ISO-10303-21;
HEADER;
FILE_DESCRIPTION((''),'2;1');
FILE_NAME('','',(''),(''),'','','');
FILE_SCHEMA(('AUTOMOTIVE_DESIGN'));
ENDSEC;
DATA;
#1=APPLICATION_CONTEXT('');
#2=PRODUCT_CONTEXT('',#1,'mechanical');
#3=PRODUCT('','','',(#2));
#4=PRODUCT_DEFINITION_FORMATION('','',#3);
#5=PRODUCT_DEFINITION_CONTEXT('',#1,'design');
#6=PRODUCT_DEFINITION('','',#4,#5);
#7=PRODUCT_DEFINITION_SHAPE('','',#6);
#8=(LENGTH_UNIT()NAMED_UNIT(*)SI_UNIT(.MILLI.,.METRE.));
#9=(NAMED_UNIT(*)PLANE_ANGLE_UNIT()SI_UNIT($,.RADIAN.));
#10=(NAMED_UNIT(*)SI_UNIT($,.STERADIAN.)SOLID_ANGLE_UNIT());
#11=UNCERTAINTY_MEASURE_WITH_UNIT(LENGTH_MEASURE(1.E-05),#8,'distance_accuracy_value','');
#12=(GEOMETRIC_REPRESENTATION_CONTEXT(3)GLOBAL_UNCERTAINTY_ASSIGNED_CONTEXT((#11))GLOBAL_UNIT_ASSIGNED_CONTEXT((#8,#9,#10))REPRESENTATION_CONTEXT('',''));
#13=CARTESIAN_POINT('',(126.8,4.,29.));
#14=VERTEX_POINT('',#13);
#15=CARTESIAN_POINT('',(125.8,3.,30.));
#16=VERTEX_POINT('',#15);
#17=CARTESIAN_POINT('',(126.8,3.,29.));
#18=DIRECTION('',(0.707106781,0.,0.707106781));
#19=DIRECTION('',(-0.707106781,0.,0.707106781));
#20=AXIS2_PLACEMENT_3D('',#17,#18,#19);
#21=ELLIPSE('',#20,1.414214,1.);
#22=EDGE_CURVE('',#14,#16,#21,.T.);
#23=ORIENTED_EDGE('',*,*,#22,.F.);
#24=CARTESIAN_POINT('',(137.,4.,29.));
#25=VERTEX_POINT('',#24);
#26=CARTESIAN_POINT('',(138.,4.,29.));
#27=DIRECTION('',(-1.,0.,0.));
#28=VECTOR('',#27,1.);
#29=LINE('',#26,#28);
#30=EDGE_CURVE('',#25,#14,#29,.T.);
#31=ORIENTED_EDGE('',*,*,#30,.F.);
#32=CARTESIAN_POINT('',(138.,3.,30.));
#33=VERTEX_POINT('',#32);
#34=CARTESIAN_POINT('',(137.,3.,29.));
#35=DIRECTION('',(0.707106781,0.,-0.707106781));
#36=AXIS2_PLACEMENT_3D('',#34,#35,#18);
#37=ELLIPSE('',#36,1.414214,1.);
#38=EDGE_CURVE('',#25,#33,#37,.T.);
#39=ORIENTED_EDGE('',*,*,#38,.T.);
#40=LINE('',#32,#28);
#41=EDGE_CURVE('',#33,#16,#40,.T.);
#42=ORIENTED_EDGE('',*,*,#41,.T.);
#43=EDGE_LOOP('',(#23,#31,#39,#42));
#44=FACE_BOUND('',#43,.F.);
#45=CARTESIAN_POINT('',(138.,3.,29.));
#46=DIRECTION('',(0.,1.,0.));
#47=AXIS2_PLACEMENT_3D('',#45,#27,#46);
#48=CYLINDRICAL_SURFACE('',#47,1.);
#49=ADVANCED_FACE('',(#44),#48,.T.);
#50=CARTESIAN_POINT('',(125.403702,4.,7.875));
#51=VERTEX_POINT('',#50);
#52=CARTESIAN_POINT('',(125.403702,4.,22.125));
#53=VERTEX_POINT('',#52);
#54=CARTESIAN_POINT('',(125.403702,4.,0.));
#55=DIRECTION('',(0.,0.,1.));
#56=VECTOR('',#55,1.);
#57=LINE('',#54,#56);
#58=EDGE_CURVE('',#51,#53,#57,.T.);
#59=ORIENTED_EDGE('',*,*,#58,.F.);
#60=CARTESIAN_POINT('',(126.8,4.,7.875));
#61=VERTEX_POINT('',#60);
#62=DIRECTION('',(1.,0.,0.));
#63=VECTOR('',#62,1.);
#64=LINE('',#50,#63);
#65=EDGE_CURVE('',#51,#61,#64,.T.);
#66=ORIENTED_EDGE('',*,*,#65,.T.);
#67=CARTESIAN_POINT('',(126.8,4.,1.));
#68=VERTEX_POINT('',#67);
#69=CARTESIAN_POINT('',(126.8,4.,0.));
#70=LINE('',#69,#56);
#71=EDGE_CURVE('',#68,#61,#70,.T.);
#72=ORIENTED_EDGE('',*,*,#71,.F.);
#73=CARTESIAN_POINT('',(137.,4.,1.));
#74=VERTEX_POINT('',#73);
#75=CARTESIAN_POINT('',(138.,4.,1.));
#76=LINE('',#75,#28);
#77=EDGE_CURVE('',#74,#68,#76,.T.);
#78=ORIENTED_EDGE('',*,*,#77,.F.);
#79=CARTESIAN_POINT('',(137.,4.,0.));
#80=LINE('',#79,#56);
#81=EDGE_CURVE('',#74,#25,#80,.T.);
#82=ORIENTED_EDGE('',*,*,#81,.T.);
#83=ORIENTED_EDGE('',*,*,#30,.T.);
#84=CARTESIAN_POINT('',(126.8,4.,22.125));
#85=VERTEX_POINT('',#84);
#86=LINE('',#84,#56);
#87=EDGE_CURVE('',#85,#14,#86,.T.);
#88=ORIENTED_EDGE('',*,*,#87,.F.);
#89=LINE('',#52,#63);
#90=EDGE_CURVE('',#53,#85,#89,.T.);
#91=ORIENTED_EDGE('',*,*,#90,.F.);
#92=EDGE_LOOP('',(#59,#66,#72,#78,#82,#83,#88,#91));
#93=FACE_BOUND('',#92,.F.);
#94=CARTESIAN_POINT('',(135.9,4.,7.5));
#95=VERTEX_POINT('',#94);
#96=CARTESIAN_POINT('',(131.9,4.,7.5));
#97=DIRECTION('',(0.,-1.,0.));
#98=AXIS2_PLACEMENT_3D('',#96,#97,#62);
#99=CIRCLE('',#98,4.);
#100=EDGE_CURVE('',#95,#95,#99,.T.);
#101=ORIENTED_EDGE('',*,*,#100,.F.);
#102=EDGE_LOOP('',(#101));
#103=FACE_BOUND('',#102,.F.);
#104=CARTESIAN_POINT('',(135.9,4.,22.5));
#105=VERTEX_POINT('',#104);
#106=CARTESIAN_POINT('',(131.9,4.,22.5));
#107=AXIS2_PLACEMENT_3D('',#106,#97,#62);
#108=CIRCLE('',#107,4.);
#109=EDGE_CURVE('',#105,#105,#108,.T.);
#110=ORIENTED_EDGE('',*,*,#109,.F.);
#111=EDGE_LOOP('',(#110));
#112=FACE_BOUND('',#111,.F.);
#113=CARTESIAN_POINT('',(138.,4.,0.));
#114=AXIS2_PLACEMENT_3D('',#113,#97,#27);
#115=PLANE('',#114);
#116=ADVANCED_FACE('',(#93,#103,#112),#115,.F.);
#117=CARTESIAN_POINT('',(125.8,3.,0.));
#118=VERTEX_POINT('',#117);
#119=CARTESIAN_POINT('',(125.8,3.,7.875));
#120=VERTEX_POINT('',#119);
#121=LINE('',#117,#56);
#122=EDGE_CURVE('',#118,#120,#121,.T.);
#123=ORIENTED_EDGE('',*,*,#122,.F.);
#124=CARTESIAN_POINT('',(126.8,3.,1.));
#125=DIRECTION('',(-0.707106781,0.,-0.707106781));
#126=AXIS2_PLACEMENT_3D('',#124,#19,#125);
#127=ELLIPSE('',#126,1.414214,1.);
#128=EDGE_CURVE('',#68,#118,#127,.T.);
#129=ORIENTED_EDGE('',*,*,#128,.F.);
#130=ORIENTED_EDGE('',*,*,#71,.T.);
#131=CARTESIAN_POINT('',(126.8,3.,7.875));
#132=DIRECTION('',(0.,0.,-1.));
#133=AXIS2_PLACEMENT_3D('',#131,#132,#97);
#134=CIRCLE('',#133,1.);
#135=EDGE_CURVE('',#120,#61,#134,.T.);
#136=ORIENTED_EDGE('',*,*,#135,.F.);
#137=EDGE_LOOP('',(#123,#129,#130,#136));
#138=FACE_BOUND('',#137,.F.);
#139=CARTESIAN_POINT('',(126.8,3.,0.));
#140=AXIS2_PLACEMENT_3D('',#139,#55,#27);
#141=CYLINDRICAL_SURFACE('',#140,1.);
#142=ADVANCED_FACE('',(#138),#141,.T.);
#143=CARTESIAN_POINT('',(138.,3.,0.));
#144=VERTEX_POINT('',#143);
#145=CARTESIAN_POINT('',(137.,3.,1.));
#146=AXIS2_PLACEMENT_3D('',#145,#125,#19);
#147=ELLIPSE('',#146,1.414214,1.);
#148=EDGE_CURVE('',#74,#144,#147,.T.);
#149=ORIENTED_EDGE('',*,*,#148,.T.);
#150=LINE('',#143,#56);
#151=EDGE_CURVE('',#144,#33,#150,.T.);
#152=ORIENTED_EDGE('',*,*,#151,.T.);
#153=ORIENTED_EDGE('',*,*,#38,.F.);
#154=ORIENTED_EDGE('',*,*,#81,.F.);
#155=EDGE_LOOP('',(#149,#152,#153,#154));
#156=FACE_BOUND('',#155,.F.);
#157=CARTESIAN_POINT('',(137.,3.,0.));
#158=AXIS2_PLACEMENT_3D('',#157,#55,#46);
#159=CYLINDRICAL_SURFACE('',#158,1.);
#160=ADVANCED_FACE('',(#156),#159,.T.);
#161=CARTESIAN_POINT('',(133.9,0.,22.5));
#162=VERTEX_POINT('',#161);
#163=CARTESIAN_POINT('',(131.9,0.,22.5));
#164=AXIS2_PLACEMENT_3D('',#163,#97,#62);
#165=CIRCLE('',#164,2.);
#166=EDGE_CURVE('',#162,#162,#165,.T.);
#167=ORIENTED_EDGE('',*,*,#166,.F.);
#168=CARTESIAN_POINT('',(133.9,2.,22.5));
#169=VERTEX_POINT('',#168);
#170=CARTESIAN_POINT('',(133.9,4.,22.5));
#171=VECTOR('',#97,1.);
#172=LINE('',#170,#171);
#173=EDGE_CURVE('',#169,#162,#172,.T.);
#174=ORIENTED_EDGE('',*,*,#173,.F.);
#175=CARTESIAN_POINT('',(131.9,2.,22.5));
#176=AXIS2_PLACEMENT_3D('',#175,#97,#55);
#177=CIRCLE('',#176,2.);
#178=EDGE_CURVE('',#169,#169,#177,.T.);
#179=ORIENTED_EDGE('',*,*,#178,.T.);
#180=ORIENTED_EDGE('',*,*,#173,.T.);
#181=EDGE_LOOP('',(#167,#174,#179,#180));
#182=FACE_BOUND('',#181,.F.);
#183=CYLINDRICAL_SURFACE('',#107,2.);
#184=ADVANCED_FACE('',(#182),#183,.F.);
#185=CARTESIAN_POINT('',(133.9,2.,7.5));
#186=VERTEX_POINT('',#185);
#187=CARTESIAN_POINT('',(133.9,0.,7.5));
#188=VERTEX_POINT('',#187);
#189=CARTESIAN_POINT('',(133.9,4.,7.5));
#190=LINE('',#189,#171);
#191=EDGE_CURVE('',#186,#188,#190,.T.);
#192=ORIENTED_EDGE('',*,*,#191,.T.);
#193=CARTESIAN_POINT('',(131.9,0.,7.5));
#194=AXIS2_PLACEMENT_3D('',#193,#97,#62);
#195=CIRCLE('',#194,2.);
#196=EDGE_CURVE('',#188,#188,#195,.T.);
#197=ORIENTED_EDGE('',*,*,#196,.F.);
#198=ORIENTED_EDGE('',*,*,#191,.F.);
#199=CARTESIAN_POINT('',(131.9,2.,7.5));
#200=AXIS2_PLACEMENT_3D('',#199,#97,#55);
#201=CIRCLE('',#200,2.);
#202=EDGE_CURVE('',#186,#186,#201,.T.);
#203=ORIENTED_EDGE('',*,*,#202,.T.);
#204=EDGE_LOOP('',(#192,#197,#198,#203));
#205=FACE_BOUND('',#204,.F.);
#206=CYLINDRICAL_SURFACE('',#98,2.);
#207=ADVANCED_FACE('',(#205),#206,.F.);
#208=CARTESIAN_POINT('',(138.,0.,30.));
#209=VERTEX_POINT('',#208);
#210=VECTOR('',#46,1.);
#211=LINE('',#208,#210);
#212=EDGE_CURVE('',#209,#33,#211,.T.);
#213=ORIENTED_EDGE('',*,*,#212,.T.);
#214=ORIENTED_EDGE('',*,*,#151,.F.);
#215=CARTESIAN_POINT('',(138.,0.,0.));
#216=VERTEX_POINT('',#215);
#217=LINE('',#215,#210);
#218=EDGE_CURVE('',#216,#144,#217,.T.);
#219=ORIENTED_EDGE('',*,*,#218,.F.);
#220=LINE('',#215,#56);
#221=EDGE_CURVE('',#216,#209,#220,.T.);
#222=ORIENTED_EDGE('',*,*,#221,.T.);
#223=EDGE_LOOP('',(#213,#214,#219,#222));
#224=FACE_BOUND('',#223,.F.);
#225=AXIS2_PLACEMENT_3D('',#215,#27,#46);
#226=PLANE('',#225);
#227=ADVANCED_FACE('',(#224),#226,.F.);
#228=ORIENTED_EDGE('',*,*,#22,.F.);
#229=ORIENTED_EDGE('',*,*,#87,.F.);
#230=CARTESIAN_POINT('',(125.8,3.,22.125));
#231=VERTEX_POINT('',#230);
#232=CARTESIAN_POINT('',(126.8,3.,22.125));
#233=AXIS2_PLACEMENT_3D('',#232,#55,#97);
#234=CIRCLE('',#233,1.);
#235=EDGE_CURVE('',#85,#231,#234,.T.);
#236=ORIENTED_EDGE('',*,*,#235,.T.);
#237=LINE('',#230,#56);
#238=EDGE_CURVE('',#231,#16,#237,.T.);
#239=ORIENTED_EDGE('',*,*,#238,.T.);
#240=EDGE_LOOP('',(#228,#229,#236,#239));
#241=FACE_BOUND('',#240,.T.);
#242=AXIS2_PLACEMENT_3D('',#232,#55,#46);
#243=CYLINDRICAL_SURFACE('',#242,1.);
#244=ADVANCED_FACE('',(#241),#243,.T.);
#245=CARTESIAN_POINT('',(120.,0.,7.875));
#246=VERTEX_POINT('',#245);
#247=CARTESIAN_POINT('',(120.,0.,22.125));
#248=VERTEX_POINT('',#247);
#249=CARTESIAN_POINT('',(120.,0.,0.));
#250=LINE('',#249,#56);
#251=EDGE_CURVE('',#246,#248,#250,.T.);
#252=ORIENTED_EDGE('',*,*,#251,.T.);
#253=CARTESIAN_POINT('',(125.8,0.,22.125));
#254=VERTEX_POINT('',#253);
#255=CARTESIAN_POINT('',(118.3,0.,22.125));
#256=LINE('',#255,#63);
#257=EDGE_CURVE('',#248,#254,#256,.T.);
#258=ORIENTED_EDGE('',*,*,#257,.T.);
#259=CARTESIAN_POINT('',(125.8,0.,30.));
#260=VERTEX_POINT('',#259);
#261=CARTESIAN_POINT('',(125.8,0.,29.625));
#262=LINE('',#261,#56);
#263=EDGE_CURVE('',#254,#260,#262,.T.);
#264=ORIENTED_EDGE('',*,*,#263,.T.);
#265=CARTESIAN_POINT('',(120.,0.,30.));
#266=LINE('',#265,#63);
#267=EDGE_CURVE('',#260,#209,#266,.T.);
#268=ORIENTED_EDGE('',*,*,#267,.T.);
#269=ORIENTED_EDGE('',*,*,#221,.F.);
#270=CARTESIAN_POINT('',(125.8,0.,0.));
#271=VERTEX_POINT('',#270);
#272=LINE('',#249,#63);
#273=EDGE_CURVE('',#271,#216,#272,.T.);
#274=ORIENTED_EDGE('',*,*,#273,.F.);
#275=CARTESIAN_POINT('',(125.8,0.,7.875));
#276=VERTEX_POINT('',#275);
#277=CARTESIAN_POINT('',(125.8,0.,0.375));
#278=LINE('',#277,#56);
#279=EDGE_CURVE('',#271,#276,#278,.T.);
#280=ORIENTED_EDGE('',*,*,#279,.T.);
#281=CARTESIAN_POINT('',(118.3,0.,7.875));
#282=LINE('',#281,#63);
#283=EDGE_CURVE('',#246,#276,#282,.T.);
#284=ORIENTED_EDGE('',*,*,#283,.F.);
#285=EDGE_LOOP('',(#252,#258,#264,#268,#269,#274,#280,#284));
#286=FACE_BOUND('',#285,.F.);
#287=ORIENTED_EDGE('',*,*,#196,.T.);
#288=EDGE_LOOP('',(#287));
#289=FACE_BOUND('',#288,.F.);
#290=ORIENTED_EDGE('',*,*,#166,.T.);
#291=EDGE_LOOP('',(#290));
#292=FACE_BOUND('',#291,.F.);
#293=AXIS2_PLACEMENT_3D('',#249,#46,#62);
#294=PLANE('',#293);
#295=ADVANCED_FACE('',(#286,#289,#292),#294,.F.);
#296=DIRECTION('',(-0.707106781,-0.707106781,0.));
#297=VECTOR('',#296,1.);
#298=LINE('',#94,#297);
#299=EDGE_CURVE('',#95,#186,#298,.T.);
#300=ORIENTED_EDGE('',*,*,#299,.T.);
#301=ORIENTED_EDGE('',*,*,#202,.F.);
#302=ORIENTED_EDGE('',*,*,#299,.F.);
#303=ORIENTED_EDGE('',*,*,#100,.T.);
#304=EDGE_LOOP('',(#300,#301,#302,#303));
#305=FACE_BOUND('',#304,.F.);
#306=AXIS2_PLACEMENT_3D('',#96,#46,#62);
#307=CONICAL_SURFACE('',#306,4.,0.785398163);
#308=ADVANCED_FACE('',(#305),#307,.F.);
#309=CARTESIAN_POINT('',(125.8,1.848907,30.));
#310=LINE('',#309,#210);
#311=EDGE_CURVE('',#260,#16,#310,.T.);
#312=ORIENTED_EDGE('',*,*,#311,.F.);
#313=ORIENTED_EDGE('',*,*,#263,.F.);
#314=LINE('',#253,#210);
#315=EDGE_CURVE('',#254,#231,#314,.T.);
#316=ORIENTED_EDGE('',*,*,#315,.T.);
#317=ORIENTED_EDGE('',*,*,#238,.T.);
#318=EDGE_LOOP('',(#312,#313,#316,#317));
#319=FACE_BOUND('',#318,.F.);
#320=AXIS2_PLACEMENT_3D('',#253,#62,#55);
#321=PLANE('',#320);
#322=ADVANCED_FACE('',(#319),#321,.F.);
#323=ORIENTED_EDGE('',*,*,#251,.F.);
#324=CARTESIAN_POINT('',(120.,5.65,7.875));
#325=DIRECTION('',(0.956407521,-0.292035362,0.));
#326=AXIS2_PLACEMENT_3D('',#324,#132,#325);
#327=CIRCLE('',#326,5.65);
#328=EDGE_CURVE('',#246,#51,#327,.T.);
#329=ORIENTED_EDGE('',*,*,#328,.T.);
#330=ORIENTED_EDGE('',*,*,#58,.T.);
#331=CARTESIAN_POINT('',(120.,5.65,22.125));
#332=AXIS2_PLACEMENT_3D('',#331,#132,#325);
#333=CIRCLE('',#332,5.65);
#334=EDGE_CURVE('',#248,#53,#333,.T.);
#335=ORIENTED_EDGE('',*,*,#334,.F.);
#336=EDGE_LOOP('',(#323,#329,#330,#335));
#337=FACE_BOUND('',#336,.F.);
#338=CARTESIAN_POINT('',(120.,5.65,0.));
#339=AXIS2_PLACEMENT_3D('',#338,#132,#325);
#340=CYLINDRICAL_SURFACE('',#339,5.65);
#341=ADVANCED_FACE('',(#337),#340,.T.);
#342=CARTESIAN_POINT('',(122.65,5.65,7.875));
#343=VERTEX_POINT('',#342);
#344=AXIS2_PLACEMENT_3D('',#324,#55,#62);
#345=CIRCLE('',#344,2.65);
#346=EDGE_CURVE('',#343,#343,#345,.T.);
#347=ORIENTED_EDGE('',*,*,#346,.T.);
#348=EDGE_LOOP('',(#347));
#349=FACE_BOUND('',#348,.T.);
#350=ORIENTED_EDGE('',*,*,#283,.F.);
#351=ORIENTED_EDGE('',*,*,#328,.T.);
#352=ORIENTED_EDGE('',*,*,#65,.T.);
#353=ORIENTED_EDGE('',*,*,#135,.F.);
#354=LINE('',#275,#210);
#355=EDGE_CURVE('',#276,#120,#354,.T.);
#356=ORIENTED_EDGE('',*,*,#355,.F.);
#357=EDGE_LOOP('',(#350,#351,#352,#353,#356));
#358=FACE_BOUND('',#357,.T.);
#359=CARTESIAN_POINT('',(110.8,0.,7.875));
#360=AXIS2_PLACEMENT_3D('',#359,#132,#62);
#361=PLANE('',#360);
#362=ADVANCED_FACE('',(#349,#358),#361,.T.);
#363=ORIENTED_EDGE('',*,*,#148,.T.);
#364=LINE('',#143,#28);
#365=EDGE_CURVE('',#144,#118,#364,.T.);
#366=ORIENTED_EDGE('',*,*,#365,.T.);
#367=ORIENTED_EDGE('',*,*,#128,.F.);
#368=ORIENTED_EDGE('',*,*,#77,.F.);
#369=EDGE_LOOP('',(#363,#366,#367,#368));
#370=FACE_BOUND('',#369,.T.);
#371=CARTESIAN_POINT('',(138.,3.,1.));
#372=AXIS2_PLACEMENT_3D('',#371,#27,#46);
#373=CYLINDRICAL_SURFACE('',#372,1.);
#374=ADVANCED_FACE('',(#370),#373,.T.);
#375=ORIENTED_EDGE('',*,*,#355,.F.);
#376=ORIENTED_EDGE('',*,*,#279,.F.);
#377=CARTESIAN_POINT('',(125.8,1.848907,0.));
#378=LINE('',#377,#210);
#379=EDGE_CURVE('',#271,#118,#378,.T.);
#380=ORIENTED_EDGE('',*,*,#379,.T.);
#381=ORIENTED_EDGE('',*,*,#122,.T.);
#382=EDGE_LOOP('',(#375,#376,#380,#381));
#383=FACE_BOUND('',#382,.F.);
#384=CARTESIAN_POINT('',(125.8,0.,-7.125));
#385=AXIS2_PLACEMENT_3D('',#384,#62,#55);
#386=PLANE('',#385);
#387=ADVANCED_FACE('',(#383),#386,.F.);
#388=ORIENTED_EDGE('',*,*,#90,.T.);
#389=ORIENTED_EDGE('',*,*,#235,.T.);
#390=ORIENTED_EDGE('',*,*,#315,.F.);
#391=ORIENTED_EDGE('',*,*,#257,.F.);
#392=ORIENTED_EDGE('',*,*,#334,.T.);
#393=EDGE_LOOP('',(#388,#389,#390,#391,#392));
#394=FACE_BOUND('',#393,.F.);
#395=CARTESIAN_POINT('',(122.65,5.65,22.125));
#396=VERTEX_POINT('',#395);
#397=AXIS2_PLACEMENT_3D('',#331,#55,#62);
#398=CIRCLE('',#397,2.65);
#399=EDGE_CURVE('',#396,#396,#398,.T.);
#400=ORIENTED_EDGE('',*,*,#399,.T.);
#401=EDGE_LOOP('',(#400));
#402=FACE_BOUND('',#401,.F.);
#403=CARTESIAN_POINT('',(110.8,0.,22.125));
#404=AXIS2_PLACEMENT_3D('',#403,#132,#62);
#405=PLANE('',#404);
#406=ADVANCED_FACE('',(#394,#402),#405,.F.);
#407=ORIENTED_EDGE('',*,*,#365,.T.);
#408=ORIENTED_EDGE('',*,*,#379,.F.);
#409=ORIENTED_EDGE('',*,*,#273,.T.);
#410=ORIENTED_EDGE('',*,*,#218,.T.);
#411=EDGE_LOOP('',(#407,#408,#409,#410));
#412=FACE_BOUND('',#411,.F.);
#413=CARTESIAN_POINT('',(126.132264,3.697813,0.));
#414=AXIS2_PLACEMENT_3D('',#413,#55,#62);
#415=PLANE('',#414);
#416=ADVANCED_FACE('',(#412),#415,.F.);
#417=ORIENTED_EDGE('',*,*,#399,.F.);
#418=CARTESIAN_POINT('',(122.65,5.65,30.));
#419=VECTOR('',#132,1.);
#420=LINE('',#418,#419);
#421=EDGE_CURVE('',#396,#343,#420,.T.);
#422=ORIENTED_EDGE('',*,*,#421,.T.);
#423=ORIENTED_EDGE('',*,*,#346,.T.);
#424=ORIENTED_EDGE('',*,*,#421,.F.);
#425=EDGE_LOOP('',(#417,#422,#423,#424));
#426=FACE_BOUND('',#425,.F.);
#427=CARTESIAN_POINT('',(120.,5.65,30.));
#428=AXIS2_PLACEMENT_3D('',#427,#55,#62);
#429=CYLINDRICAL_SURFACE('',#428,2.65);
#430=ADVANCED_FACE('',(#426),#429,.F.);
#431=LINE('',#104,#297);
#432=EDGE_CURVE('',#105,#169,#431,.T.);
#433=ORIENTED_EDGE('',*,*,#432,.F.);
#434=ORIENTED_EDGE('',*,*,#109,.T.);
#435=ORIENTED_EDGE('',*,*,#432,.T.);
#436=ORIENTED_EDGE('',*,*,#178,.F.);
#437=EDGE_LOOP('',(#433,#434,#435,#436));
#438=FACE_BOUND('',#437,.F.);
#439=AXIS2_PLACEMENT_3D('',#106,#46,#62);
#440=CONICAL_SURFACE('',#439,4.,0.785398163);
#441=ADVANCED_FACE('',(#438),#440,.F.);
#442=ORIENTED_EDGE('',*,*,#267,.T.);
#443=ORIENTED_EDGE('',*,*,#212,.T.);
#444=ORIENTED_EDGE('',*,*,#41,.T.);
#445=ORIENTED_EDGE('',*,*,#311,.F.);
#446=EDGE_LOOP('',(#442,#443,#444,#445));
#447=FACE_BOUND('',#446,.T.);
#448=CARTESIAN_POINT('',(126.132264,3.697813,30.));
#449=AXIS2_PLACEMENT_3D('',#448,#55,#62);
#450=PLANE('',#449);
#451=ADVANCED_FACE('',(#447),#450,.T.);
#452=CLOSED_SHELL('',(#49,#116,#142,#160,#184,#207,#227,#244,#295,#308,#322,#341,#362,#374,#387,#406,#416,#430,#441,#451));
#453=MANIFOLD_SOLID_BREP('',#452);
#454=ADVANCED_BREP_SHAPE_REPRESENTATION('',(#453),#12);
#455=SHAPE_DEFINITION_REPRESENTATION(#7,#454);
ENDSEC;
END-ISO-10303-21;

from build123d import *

# Parameters (mm, degrees)
PAD001_DEPTH     = 30
SKETCH003_W      = 15
SKETCH003_H      = 15
POCKET001_DEPTH  = 11.301
SKETCH004_R      = 2.5
PAD002_DEPTH     = 30
HOLE_D           = 4
HOLE_CSINK_D     = 8
HOLE_CSINK_ANGLE = 90
SKETCH006_R      = 2.65
POCKET002_DEPTH  = 30.001
FILLET001_R      = 1


with BuildPart() as part:
    # Sketch002 → Pad001 (new body)
    with BuildSketch(Plane.XY):
        with BuildLine():
            Line((120, 0), (138, 0))
            Line((138, 0), (138, 4))
            Line((138, 4), (125.403702, 4))
            ThreePointArc((125.403702, 4), (116.638453, 10.1912), (120, 0))
        make_face()
    extrude(amount=PAD001_DEPTH)

    # Sketch003 (on Face1 of Pad001) → Pocket001 (cut, through all)
    with BuildSketch(Plane.XZ):
        with Locations((118.3, 29.625)):
            Rectangle(SKETCH003_W, SKETCH003_H)
        with Locations((118.3, 0.375)):
            Rectangle(SKETCH003_W, SKETCH003_H)
    extrude(amount=-POCKET001_DEPTH, mode=Mode.SUBTRACT)

    # Sketch004 → Pad002 (join)
    with BuildSketch(Plane.XY):
        with Locations((120, 5.65)):
            Circle(SKETCH004_R)
    extrude(amount=PAD002_DEPTH)

    # Hole (through all)
    with Locations(Plane(origin=(0, 4, 0), x_dir=(-1, 0, 0), z_dir=(0, 1, 0))):
        with Locations((-131.9, 22.5), (-131.9, 7.5)):
            CounterSinkHole(HOLE_D / 2, HOLE_CSINK_D / 2, counter_sink_angle=HOLE_CSINK_ANGLE)

    # Sketch006 → Pocket002 (cut, through all)
    with BuildSketch(Plane.XY.offset(30)):
        with Locations((120, 5.65)):
            Circle(SKETCH006_R)
    extrude(amount=-POCKET002_DEPTH, mode=Mode.SUBTRACT)

    # Fillet001
    fillet001_edges = [part.edges().sort_by_distance(p)[0] for p in [
        (138, 4, 15),
        (131.9, 4, 0),
        (125.8, 4, 3.9375),
        (125.8, 4, 26.0625),
        (131.9, 4, 30),
    ]]
    fillet(fillet001_edges, radius=FILLET001_R)


solid = part.part
